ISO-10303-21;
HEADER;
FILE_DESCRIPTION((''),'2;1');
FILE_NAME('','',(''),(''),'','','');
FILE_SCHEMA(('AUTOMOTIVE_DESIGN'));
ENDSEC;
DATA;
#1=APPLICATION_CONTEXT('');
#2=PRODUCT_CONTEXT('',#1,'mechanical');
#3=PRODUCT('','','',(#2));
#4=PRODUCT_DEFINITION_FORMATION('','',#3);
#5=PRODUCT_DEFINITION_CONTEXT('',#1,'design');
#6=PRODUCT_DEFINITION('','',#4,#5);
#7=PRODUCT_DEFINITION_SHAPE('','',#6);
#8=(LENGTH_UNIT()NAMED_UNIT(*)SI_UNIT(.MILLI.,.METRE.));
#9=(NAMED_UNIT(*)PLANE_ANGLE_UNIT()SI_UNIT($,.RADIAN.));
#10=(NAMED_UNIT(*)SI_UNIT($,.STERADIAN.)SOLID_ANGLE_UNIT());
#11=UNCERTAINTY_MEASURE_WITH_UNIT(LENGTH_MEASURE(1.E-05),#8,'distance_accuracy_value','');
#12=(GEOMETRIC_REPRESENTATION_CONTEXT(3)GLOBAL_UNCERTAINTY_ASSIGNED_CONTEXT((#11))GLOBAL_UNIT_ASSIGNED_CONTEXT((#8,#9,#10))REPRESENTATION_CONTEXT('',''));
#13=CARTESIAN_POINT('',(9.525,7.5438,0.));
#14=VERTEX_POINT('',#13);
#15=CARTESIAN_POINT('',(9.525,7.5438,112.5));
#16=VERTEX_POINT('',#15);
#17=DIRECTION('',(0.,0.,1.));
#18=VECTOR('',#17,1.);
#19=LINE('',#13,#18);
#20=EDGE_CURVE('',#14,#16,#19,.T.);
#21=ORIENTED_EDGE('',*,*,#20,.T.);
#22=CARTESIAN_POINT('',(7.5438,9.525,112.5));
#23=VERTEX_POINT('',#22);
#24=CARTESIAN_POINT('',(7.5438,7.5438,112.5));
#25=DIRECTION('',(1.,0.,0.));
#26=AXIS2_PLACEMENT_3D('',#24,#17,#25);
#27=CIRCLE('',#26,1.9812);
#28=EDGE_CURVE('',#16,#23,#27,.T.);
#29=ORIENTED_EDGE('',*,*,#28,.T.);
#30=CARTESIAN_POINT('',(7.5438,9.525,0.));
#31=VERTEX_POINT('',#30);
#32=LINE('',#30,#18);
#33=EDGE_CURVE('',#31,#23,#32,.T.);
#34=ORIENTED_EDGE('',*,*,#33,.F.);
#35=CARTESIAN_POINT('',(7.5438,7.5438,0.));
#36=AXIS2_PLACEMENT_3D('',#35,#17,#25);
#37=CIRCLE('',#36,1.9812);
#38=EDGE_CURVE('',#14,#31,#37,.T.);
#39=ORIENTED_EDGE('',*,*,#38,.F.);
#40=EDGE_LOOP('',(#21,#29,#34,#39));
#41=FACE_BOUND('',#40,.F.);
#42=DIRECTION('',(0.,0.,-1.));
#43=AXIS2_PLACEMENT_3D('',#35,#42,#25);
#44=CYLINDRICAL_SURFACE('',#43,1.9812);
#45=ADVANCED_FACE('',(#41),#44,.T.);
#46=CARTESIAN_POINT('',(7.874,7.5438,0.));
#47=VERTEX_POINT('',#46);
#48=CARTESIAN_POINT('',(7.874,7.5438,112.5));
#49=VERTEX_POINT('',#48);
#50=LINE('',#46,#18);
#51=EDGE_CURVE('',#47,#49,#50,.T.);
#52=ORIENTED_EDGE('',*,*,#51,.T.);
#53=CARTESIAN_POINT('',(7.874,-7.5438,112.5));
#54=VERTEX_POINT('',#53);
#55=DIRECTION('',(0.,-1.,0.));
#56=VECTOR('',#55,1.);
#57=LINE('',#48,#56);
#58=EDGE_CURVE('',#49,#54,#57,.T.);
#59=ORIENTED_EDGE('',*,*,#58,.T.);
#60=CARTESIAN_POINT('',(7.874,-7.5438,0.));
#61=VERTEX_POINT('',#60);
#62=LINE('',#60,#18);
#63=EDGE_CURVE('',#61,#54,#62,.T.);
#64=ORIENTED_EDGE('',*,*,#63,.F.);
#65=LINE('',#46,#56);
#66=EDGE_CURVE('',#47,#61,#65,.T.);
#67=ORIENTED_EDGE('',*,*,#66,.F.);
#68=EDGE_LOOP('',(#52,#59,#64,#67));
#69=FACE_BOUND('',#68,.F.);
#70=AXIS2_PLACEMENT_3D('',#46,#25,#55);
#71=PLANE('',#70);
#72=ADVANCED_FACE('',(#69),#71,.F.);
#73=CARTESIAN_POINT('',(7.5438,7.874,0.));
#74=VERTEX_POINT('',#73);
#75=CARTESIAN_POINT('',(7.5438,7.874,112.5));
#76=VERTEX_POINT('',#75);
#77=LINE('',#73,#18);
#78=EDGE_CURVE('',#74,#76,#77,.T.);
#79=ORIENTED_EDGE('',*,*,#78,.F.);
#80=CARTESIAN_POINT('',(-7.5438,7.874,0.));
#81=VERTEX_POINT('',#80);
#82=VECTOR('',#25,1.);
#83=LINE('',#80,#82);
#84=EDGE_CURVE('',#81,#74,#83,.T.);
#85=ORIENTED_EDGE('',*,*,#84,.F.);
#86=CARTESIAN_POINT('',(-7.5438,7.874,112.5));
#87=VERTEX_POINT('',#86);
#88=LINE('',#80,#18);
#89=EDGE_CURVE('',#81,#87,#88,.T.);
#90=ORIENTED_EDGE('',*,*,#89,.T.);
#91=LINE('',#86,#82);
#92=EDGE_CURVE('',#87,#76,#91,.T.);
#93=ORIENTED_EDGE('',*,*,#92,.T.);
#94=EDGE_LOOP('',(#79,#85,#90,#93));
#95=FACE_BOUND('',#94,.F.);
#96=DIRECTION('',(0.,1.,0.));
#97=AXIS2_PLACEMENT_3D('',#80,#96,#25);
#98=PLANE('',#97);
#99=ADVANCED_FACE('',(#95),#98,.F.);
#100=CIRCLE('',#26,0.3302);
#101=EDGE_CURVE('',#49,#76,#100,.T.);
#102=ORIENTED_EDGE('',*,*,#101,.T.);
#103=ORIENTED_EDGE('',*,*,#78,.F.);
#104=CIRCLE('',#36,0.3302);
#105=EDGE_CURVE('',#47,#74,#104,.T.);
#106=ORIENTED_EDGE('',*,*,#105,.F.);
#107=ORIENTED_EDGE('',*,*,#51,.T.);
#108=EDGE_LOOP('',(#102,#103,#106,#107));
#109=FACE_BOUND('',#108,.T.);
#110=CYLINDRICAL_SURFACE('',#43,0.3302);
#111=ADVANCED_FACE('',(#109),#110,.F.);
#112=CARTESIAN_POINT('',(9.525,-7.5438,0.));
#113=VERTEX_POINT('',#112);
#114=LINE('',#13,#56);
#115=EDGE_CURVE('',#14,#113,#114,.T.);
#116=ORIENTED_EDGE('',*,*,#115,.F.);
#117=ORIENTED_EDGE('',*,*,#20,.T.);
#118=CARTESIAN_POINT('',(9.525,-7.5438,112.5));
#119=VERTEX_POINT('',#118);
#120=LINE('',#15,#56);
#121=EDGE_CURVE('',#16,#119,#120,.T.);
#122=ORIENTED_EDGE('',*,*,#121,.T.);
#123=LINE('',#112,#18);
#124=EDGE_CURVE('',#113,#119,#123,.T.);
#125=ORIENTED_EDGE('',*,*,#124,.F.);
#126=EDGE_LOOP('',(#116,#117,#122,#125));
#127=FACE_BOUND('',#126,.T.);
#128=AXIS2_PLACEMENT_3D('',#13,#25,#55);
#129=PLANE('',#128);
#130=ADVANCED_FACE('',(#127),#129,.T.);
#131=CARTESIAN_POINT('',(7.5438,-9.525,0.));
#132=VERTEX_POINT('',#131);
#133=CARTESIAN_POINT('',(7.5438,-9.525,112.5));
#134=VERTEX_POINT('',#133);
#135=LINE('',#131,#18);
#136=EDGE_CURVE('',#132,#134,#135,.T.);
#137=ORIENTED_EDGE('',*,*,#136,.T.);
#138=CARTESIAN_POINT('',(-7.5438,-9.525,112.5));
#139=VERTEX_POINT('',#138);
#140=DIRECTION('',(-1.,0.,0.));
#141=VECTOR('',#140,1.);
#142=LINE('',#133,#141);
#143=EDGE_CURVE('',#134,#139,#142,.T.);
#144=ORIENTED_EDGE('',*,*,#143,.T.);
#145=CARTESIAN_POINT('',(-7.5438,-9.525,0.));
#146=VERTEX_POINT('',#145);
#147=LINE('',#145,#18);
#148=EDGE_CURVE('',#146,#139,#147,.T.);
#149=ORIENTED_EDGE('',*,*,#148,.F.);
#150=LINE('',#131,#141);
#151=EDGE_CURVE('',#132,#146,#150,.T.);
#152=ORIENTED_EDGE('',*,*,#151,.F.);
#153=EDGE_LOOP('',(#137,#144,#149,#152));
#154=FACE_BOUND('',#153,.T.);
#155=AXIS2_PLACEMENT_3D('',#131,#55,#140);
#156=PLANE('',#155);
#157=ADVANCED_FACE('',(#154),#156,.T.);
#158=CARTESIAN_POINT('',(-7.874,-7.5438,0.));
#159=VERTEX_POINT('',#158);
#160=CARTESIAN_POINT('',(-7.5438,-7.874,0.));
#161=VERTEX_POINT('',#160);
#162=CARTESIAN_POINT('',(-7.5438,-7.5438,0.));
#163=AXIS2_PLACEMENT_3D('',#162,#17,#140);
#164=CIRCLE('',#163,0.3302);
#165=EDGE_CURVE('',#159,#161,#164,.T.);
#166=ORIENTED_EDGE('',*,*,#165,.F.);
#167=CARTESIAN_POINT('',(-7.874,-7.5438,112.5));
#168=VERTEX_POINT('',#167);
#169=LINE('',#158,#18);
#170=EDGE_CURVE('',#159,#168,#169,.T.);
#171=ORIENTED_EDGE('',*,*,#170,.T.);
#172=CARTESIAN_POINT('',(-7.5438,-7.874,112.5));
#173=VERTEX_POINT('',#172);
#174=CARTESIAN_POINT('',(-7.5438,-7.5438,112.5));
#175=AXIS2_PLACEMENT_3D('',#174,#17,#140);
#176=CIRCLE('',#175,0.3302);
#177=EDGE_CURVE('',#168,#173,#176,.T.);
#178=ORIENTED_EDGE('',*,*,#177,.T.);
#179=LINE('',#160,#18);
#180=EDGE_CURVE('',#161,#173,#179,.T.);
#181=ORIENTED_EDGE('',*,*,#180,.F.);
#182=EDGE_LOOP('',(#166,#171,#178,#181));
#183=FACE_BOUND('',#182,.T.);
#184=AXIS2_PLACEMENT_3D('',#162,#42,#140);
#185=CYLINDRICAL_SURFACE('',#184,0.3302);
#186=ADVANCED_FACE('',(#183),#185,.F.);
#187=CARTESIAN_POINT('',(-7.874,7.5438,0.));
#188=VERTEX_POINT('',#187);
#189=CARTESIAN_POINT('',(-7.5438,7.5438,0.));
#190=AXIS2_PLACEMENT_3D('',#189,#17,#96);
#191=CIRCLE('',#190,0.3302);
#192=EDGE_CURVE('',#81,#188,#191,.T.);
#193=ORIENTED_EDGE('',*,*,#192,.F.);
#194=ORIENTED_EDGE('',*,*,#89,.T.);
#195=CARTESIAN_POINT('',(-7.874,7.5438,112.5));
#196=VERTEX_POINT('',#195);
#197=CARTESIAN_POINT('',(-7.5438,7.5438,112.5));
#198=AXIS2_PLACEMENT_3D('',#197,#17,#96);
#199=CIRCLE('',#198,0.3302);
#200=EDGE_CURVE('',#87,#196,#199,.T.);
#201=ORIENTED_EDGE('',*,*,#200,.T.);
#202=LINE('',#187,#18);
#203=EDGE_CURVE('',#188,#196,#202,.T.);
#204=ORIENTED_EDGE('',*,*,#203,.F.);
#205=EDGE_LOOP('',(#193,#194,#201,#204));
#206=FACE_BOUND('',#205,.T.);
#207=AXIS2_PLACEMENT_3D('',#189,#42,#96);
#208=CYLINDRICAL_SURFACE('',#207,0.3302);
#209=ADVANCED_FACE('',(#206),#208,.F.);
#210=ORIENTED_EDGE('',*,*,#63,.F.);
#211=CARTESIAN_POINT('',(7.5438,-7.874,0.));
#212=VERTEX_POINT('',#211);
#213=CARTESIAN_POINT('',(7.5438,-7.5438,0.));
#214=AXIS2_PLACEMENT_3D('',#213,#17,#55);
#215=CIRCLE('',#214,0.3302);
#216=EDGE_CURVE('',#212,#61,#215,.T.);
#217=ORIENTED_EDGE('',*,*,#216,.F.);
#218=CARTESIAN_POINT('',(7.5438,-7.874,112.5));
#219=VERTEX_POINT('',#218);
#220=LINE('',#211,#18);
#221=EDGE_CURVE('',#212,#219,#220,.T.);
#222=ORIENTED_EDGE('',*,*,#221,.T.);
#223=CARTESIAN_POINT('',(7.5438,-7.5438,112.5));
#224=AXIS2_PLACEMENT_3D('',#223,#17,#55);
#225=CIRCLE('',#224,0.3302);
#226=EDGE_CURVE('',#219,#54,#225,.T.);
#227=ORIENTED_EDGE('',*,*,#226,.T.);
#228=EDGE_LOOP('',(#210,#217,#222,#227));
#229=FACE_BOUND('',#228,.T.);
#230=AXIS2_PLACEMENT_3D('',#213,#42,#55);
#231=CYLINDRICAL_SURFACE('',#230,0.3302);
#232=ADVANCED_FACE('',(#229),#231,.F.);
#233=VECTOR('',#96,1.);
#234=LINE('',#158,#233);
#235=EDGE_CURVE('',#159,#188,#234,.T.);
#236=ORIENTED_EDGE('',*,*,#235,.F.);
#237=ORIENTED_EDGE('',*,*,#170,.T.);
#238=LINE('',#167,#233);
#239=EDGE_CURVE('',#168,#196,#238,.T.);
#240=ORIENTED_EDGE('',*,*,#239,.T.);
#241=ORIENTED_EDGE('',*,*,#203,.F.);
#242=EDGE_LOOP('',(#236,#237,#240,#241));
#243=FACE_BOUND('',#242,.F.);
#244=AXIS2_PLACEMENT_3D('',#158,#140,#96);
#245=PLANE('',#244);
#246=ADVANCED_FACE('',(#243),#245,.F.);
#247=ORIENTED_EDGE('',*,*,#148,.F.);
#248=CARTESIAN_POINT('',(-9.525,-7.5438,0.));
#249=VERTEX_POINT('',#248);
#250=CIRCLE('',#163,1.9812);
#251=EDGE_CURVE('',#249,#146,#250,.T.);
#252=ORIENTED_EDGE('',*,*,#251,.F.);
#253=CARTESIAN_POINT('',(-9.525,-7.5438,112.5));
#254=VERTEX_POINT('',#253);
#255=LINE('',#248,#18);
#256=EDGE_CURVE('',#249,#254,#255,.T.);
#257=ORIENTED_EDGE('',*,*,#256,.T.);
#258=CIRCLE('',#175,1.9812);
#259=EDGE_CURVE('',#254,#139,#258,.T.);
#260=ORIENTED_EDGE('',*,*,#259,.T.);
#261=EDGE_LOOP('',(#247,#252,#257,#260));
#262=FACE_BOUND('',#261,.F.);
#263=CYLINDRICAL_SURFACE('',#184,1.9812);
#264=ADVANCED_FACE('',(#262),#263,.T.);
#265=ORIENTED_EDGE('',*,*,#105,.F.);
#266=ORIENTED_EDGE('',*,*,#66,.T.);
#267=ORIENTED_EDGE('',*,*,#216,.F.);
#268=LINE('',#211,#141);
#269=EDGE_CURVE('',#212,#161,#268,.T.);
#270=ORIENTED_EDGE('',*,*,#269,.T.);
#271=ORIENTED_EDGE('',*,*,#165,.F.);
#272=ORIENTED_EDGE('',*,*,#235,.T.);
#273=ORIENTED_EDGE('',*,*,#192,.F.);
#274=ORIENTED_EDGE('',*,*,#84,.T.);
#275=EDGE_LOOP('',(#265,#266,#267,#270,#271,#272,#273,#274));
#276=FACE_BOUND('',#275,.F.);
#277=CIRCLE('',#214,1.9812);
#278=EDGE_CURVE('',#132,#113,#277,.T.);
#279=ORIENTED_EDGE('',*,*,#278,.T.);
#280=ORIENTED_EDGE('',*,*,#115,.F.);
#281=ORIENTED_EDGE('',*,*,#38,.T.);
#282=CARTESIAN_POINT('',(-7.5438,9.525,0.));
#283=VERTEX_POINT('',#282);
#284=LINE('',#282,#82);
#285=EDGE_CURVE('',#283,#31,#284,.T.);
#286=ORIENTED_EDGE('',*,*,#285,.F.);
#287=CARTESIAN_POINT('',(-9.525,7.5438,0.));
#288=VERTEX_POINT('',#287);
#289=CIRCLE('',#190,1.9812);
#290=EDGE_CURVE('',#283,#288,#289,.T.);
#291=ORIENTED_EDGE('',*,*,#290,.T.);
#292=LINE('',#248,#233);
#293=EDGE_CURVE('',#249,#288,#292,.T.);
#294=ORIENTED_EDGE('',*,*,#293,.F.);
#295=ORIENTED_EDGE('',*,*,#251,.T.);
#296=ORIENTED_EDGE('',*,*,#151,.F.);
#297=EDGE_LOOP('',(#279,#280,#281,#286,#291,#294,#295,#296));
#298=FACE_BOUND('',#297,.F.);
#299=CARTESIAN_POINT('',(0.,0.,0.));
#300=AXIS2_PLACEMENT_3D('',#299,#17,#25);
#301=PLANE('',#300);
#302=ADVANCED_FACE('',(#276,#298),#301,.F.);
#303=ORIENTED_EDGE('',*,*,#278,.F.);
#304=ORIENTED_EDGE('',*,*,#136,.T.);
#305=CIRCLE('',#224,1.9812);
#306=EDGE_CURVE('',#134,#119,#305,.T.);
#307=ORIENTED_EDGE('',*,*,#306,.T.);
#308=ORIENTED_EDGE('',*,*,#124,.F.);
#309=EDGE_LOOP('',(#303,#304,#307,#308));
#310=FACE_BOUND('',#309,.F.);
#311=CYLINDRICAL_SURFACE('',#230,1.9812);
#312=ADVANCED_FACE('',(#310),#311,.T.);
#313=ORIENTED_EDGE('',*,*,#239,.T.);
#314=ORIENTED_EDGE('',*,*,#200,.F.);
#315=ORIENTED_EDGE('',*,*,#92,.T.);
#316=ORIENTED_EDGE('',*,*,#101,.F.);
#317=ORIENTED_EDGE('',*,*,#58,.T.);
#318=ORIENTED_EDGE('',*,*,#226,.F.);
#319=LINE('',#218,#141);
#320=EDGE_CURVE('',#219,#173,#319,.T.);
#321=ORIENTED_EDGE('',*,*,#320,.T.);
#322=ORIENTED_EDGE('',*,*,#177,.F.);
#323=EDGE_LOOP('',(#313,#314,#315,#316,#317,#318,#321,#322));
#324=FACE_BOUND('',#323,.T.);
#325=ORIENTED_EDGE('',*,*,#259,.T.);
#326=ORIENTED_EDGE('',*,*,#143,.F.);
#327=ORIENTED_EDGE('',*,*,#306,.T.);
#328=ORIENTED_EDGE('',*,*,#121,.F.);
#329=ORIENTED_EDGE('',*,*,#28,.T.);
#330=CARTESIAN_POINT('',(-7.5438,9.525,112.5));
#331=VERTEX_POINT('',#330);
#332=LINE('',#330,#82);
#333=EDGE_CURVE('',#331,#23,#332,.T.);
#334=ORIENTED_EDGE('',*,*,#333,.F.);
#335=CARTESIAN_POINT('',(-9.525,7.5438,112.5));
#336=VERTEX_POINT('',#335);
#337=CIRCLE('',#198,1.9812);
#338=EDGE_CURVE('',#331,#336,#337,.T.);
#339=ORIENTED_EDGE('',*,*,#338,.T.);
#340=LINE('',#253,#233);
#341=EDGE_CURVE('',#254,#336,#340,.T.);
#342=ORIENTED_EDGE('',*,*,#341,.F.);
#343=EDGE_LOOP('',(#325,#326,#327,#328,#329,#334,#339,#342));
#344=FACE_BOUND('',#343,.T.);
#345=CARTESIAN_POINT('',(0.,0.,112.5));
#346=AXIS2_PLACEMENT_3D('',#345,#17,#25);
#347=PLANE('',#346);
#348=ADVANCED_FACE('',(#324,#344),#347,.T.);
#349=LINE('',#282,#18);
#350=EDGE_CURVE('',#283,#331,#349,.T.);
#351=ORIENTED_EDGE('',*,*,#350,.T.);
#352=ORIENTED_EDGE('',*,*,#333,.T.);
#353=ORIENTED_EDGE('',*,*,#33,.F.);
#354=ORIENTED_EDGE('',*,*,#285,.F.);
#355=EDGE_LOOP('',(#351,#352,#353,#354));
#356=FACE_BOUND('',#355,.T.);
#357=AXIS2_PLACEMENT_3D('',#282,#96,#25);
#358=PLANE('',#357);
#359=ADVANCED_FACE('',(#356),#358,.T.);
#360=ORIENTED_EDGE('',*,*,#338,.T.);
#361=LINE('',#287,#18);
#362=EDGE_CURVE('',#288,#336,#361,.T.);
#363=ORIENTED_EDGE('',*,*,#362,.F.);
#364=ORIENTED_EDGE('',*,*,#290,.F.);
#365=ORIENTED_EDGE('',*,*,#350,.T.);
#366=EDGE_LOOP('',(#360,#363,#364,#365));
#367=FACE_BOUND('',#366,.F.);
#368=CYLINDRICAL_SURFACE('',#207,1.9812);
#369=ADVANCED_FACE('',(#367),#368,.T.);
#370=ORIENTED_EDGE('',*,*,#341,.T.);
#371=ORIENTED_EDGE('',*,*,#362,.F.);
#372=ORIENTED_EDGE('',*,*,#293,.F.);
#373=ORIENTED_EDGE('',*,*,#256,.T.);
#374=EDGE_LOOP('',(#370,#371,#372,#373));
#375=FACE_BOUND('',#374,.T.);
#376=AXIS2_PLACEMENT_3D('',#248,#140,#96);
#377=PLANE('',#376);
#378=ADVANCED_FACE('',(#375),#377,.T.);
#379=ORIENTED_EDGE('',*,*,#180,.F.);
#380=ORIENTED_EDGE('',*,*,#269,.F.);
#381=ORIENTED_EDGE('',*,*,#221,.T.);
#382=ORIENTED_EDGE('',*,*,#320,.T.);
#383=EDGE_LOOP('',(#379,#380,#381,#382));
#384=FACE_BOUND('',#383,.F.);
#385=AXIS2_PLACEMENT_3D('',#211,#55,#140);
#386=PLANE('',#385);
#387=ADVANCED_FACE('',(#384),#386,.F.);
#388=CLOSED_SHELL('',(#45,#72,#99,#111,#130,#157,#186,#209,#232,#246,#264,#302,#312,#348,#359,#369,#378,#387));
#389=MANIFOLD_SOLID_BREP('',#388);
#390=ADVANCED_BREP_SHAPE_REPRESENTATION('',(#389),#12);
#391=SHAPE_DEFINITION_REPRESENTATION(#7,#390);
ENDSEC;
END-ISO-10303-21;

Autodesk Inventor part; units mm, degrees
ref_plane "YZ Plane" through (0, 0, 0) normal (1, 0, 0) x (0, 1, 0)
ref_plane "Start plane" through (0, 0, 0) normal (0, 0, 1) x (1, 0, 0)
ref_plane "End plane" through (0, 0, 112.5) normal (0, 0, 1) x (1, 0, 0)
sketch "Sketch" plane through (0, 0, 0) normal (0, 0, 1) x (1, 0, 0)
  line L0 (-9.525, -7.5438) -> (-9.525, 7.5438)
  line L1 (-7.5438, 9.525) -> (7.5438, 9.525)
  line L2 (9.525, 7.5438) -> (9.525, -7.5438)
  line L3 (7.5438, -9.525) -> (-7.5438, -9.525)
  arc A0 (-9.525, -7.5438) -> (-7.5438, -9.525) centre (-7.5438, -7.5438) ccw
  arc A1 (-7.5438, 9.525) -> (-9.525, 7.5438) centre (-7.5438, 7.5438) ccw
  arc A2 (9.525, 7.5438) -> (7.5438, 9.525) centre (7.5438, 7.5438) ccw
  arc A3 (7.5438, -9.525) -> (9.525, -7.5438) centre (7.5438, -7.5438) ccw
  arc A4 (-7.5438, 7.874) -> (-7.874, 7.5438) centre (-7.5438, 7.5438) ccw
  line L4 (-7.5438, 7.874) -> (7.5438, 7.874)
  arc A5 (7.874, 7.5438) -> (7.5438, 7.874) centre (7.5438, 7.5438) ccw
  line L5 (7.874, 7.5438) -> (7.874, -7.5438)
  arc A6 (7.5438, -7.874) -> (7.874, -7.5438) centre (7.5438, -7.5438) ccw
  line L6 (7.5438, -7.874) -> (-7.5438, -7.874)
  arc A7 (-7.874, -7.5438) -> (-7.5438, -7.874) centre (-7.5438, -7.5438) ccw
  line L7 (-7.874, -7.5438) -> (-7.874, 7.5438)
  line L8 (0, 13.9094) -> (0, -13.9094) construction
  line L9 (-13.9224, 0) -> (13.9871, 0) construction
  dimension "d10" = 19.05
  dimension "d11" = 19.05
  dimension "d12" = 1.651
  dimension "d15" = 9.525
  dimension "d16" = 9.525
  dimension "d17" = 1.9812
extrude "Body" add sketch "Sketch" along normal up to surface (112.5 mm away) from surface at 0
sketch "Sketch3" plane through (0, 0, 0) normal (0, 0, 1) x (1, 0, 0)
  line L0 (0, 0) -> (10, 0)
ref_plane "Work Plane3" through (0, 0, 0) normal (0, -1, 0) x (1, 0, 0)
sketch "Sketch4" plane through (0, 0, 0) normal (0, -1, 0) x (1, 0, 0)
  line L0 (-2, 0) -> (12, 0)
  line L1 (-2, 112.5) -> (12, 112.5)
  dimension "d19" = 112.5
ref_plane "Work Plane4" through (0, 7.5438, 0) normal (-1, 0, 0) x (0, 0, 1)
ref_plane "Work Plane5" through (7.5438, 0, 112.5) normal (0, 1, 0) x (1, 0, 0)
equation "\"d10\" = G_H"
equation "\"d11\" = G_W"
equation "\"d12\" = G_T"
equation "\"d15\" = 0.5 * d10"
equation "\"d16\" = 0.5 * d11"
equation "\"d17\" = G_IR"
equation "\"d3\" = G_L"
equation "\"G_W\" = 19.05"
equation "\"G_H\" = 19.05"
equation "\"G_T\" = 1.651"
equation "\"G_IR\" = 1.2 * G_T"
equation "\"G_L\" = d19"
equation "\"G_OFFSET_START\" = 0"
equation "\"G_OFFSET_END\" = 0"
equation "\"d14\" = G_OFFSET_END + B_L"
equation "\"B_L\" = 112.5"
properties part number "ASTM A513 - 3/4 x 3/4 x 13/200 - 4.4291339" material "Steel, Mild"
